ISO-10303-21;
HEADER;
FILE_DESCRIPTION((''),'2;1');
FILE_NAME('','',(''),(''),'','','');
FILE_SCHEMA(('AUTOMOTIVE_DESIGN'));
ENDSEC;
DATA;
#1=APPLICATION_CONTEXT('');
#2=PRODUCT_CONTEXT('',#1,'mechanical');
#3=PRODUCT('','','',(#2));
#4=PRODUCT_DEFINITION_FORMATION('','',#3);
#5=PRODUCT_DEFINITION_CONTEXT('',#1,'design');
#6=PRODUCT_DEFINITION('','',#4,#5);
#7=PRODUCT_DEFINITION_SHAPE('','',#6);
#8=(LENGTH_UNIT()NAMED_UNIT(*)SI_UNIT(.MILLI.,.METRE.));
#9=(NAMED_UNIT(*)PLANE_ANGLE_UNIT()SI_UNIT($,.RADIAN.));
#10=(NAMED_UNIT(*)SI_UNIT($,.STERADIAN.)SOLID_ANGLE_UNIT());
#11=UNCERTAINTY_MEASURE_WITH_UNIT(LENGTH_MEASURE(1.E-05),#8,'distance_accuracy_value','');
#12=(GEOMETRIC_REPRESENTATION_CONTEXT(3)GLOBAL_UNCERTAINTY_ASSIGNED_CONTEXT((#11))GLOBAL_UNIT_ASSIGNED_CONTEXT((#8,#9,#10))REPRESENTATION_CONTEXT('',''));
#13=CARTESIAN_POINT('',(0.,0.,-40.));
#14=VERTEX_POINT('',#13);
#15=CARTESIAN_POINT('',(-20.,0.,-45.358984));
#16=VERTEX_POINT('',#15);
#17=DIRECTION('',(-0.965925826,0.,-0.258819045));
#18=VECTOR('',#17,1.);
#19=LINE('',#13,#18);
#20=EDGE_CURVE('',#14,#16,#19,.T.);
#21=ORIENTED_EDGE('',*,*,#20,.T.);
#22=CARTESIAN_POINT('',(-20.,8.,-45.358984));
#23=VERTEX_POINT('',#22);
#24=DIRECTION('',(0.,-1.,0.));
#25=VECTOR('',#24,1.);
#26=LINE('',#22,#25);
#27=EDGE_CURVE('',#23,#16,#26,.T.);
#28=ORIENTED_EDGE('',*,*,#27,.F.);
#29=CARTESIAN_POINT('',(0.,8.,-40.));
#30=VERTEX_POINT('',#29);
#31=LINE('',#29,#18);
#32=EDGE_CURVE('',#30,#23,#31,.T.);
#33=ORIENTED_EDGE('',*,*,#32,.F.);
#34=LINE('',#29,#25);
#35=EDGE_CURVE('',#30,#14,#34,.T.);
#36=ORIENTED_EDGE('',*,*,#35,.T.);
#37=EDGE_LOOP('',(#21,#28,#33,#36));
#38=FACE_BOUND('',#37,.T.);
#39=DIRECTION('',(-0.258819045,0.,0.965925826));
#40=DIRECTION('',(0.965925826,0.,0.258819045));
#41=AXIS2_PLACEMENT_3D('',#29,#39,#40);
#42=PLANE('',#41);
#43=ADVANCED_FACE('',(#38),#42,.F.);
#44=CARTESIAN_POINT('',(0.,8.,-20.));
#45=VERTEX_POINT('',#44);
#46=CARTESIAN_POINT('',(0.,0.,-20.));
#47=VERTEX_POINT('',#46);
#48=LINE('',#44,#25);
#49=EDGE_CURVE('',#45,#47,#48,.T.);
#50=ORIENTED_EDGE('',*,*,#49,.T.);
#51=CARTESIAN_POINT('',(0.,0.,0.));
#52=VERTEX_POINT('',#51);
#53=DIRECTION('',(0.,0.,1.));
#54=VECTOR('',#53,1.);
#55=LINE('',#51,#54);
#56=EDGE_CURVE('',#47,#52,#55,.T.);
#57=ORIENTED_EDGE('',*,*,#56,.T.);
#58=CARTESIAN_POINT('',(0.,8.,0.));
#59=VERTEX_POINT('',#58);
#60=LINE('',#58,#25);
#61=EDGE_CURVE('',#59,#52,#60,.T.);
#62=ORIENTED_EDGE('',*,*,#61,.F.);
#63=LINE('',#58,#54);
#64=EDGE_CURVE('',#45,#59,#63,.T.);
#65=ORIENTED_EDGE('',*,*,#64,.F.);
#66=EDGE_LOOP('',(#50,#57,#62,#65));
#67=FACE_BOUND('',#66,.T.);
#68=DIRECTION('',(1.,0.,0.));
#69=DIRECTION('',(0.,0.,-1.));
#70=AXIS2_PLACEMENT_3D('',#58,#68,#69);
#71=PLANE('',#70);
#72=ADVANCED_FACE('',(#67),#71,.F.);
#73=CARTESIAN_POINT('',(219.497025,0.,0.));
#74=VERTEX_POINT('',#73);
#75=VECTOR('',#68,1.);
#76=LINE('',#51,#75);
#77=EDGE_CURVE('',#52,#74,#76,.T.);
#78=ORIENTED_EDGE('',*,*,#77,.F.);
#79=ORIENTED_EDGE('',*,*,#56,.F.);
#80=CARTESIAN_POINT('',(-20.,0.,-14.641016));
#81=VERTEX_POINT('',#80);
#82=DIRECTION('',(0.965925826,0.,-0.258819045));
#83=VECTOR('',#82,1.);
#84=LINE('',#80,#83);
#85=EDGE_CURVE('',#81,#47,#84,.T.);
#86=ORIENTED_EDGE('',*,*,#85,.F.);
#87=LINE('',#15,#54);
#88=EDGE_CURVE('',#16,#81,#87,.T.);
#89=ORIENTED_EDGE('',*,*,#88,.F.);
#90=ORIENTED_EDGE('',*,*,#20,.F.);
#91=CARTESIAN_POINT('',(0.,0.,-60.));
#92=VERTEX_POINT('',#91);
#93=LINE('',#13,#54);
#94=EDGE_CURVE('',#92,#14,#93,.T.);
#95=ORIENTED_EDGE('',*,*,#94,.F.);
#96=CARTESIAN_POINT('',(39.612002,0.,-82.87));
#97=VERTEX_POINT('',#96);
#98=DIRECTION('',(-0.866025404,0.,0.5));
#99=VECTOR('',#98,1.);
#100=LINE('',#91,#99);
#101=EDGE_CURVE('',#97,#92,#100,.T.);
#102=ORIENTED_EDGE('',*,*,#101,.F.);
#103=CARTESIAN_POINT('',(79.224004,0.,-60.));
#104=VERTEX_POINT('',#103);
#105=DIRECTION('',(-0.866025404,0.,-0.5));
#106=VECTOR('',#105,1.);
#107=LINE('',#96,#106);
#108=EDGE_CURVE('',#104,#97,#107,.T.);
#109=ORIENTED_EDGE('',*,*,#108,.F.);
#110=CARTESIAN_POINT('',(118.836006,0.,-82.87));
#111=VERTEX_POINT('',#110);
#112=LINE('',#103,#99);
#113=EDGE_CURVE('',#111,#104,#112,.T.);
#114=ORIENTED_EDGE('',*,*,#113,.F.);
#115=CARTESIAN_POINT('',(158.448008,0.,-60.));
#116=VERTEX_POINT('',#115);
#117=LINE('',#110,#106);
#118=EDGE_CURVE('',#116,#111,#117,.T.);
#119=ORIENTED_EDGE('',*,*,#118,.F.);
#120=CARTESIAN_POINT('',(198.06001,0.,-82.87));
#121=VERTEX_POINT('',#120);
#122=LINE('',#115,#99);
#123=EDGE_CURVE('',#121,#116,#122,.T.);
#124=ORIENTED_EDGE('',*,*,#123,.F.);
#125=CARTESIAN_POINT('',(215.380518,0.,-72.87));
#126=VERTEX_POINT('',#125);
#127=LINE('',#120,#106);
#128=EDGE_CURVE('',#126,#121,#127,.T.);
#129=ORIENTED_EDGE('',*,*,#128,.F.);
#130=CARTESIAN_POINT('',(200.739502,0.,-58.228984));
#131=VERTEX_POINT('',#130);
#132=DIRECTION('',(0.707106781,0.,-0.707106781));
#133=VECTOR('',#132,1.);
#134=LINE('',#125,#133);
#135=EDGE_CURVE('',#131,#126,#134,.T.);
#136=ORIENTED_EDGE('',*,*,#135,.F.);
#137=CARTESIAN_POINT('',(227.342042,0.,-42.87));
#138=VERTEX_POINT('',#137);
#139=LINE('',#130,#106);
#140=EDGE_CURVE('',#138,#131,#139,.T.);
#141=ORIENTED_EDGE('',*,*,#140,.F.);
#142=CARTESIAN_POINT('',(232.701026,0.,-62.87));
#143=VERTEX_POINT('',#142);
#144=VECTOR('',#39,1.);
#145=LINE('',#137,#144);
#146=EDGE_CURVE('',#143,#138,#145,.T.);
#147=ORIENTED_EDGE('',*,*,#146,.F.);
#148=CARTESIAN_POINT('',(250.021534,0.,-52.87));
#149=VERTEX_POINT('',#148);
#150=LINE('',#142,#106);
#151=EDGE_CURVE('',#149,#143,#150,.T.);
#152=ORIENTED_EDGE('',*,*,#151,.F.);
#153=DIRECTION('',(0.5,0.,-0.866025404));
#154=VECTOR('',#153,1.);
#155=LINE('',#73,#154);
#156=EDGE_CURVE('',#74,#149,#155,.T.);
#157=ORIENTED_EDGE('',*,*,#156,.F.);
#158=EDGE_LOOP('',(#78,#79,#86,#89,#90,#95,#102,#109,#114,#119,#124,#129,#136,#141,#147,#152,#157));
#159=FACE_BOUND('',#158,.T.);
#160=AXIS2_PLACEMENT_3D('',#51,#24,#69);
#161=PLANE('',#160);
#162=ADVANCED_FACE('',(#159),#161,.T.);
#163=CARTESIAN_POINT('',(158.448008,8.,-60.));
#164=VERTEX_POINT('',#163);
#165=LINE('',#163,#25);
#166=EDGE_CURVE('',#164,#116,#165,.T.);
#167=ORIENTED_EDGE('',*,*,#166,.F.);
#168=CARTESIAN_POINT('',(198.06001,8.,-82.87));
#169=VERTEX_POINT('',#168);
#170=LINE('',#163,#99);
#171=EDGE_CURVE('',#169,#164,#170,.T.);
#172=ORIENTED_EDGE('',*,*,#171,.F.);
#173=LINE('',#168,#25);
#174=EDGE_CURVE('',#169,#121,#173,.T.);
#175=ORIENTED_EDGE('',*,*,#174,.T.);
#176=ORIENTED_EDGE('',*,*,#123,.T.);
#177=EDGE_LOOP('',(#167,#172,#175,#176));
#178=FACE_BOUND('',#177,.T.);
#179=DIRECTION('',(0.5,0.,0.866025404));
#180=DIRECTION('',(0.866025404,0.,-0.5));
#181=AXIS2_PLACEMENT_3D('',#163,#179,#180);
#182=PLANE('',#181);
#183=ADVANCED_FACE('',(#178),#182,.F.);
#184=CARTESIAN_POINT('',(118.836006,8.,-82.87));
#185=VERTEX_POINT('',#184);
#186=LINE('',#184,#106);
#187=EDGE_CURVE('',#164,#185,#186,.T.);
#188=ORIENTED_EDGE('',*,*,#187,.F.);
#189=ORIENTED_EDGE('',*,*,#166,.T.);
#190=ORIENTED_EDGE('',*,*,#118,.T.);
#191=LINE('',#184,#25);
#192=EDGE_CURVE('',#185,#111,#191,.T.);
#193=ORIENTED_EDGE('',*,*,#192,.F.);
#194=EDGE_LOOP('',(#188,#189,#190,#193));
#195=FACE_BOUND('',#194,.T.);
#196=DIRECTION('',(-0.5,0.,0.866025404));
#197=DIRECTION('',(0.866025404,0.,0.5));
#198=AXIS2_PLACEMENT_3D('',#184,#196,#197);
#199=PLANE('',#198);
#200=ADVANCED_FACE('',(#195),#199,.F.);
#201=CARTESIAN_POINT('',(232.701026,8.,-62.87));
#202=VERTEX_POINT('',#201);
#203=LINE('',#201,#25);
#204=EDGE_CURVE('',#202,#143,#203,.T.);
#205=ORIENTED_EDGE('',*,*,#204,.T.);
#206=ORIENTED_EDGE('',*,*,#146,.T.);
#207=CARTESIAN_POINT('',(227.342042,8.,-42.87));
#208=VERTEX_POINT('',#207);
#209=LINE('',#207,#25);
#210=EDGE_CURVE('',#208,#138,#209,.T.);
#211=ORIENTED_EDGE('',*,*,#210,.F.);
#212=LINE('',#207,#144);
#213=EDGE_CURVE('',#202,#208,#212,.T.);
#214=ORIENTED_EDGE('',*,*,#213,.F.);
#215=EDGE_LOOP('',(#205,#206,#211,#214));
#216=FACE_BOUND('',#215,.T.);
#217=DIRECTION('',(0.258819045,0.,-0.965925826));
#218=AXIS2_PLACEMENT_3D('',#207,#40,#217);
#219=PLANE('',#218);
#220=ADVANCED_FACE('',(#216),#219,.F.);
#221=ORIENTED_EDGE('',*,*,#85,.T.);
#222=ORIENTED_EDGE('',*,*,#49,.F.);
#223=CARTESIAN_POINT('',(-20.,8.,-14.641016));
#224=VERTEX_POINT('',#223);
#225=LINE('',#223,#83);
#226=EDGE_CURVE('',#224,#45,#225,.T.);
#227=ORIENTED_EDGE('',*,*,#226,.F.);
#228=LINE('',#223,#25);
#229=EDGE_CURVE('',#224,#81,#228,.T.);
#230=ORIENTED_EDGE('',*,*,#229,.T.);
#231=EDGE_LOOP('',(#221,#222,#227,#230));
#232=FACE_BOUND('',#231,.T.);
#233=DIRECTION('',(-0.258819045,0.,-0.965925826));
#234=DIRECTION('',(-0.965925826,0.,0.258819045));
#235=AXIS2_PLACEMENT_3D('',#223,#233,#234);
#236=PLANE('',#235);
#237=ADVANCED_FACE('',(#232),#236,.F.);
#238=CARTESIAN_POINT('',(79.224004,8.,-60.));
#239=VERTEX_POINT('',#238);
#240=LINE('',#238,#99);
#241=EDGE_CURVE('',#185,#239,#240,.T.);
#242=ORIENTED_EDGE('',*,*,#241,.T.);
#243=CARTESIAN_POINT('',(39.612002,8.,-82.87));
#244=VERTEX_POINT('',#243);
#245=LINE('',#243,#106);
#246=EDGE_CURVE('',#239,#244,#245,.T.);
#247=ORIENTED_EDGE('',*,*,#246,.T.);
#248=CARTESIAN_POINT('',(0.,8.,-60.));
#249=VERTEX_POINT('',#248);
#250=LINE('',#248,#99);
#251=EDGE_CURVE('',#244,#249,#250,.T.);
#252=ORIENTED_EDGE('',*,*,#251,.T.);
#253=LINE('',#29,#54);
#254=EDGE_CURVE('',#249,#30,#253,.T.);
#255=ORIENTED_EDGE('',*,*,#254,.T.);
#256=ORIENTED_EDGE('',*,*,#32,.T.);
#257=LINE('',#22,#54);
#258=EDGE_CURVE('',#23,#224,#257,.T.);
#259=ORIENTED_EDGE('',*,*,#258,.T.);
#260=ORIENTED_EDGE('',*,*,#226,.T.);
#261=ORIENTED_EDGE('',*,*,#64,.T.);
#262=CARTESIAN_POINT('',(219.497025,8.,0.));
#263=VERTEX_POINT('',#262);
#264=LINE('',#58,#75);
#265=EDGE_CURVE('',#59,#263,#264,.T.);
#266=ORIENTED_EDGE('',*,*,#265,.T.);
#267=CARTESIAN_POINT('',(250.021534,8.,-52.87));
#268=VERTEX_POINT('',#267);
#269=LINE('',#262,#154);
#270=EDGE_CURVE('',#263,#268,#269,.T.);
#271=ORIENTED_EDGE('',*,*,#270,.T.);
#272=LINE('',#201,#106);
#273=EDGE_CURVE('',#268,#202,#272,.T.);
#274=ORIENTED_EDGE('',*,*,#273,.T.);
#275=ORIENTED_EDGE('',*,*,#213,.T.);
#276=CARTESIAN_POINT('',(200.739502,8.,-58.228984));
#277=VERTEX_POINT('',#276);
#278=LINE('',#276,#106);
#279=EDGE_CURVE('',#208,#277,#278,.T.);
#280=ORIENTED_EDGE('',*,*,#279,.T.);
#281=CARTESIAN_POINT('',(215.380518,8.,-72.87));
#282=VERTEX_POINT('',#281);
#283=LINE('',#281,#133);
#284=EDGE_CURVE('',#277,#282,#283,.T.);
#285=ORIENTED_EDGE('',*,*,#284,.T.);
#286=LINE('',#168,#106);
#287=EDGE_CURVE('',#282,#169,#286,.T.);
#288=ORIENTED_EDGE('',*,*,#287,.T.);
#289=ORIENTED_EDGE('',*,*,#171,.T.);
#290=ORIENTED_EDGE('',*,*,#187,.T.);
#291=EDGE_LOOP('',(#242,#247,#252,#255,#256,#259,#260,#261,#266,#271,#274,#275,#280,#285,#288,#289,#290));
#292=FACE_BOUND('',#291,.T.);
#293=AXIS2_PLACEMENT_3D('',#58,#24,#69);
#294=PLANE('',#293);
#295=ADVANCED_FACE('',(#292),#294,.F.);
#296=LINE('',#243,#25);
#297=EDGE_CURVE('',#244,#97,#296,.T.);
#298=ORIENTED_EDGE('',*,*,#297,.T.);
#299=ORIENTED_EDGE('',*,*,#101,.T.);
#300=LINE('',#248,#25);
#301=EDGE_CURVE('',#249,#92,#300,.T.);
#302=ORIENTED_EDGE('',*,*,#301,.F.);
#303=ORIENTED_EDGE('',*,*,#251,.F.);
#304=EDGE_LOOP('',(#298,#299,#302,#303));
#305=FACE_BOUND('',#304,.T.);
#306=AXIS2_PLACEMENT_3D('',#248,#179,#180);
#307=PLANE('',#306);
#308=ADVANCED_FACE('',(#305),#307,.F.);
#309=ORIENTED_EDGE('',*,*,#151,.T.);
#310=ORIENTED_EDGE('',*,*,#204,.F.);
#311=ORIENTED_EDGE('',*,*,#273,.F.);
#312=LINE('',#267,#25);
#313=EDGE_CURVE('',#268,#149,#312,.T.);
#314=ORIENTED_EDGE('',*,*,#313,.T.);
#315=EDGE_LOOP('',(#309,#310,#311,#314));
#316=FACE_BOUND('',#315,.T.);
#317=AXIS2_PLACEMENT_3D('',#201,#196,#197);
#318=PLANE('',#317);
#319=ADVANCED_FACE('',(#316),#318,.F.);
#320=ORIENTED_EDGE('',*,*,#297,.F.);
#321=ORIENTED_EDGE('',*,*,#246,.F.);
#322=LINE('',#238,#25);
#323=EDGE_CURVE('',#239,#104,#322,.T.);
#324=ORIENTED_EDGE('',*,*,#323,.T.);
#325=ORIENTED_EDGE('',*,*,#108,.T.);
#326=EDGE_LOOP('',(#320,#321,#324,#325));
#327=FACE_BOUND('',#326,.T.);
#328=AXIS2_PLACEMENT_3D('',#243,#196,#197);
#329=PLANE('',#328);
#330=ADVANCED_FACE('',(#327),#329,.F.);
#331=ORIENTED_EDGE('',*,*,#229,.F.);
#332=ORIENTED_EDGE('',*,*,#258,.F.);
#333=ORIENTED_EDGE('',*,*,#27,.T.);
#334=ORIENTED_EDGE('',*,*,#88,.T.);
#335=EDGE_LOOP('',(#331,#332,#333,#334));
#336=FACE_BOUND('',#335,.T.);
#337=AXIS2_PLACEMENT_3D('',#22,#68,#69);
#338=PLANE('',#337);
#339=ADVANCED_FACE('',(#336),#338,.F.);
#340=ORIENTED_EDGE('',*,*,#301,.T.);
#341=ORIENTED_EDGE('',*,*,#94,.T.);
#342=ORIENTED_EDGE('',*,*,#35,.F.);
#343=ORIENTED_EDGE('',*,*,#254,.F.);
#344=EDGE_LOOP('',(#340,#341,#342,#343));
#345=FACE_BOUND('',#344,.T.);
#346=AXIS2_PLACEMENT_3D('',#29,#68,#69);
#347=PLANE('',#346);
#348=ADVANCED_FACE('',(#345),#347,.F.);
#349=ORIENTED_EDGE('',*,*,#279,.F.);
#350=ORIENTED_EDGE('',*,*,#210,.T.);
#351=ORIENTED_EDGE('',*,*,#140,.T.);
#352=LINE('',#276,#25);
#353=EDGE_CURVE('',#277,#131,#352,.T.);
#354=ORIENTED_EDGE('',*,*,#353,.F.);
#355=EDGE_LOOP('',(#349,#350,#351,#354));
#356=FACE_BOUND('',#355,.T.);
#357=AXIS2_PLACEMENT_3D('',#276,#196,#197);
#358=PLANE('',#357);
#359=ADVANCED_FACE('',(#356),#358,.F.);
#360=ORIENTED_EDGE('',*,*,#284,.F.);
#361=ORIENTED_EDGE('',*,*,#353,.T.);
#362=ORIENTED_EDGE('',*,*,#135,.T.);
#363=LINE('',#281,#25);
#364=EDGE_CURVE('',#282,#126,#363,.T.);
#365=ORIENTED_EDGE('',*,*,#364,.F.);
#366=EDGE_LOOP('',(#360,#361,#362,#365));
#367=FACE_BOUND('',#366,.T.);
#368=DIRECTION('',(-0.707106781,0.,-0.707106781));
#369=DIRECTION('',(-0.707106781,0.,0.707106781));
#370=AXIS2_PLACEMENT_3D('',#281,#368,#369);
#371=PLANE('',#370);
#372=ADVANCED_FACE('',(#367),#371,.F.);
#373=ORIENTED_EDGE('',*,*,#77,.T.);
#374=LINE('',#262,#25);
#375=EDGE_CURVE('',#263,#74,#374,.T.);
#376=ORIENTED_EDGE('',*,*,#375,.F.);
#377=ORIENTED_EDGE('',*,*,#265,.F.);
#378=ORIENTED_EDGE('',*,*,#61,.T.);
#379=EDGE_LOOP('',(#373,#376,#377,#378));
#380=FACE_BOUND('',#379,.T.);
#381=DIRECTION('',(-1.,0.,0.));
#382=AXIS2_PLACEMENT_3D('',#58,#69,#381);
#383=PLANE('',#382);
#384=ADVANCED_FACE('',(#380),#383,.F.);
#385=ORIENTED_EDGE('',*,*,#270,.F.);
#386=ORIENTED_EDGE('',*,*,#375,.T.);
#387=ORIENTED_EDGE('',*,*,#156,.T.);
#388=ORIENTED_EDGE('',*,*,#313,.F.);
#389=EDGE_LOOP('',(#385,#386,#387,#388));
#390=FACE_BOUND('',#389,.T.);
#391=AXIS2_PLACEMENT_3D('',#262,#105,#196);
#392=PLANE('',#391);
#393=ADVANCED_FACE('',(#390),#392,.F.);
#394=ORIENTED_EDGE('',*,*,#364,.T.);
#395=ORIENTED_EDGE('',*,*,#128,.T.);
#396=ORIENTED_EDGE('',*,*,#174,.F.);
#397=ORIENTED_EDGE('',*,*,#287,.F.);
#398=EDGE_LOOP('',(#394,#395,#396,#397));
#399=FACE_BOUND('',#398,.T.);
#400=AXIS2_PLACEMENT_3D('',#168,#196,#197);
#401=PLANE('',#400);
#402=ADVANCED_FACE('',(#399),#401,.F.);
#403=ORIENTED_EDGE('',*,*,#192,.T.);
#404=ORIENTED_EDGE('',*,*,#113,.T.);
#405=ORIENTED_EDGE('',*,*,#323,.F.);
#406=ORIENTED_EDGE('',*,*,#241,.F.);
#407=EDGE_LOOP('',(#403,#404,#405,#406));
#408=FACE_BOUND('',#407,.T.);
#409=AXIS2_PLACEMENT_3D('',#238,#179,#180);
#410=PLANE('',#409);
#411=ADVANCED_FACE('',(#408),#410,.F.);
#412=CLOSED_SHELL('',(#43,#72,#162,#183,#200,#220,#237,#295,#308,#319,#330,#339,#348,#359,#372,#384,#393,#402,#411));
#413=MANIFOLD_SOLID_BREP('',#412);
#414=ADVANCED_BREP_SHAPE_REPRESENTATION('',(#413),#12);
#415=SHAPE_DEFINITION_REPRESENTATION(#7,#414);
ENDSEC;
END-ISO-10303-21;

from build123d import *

# Parameters (mm, degrees)
BOSS_EXTRUDE1_DEPTH = 8


with BuildPart() as part:
    # Sketch1 → Boss-Extrude1 (new body)
    with BuildSketch(Plane(origin=(0, 0, 0), x_dir=(1, 0, 0), z_dir=(0, 1, 0))):
        Polygon((0, 0), (219.497025341, 0), (250.021534073, 52.87), (232.701025997, 62.87), (227.342042148, 42.87), (200.73950177, 58.228983849), (215.380517921, 72.87), (198.060009846, 82.87), (158.448007876, 60), (118.836005907, 82.87), (79.224003938, 60), (39.612001969, 82.87), (0, 60), (0, 40), (-20, 45.358983849), (-20, 14.641016151), (0, 20), align=None)
    extrude(amount=BOSS_EXTRUDE1_DEPTH)


solid = part.part
